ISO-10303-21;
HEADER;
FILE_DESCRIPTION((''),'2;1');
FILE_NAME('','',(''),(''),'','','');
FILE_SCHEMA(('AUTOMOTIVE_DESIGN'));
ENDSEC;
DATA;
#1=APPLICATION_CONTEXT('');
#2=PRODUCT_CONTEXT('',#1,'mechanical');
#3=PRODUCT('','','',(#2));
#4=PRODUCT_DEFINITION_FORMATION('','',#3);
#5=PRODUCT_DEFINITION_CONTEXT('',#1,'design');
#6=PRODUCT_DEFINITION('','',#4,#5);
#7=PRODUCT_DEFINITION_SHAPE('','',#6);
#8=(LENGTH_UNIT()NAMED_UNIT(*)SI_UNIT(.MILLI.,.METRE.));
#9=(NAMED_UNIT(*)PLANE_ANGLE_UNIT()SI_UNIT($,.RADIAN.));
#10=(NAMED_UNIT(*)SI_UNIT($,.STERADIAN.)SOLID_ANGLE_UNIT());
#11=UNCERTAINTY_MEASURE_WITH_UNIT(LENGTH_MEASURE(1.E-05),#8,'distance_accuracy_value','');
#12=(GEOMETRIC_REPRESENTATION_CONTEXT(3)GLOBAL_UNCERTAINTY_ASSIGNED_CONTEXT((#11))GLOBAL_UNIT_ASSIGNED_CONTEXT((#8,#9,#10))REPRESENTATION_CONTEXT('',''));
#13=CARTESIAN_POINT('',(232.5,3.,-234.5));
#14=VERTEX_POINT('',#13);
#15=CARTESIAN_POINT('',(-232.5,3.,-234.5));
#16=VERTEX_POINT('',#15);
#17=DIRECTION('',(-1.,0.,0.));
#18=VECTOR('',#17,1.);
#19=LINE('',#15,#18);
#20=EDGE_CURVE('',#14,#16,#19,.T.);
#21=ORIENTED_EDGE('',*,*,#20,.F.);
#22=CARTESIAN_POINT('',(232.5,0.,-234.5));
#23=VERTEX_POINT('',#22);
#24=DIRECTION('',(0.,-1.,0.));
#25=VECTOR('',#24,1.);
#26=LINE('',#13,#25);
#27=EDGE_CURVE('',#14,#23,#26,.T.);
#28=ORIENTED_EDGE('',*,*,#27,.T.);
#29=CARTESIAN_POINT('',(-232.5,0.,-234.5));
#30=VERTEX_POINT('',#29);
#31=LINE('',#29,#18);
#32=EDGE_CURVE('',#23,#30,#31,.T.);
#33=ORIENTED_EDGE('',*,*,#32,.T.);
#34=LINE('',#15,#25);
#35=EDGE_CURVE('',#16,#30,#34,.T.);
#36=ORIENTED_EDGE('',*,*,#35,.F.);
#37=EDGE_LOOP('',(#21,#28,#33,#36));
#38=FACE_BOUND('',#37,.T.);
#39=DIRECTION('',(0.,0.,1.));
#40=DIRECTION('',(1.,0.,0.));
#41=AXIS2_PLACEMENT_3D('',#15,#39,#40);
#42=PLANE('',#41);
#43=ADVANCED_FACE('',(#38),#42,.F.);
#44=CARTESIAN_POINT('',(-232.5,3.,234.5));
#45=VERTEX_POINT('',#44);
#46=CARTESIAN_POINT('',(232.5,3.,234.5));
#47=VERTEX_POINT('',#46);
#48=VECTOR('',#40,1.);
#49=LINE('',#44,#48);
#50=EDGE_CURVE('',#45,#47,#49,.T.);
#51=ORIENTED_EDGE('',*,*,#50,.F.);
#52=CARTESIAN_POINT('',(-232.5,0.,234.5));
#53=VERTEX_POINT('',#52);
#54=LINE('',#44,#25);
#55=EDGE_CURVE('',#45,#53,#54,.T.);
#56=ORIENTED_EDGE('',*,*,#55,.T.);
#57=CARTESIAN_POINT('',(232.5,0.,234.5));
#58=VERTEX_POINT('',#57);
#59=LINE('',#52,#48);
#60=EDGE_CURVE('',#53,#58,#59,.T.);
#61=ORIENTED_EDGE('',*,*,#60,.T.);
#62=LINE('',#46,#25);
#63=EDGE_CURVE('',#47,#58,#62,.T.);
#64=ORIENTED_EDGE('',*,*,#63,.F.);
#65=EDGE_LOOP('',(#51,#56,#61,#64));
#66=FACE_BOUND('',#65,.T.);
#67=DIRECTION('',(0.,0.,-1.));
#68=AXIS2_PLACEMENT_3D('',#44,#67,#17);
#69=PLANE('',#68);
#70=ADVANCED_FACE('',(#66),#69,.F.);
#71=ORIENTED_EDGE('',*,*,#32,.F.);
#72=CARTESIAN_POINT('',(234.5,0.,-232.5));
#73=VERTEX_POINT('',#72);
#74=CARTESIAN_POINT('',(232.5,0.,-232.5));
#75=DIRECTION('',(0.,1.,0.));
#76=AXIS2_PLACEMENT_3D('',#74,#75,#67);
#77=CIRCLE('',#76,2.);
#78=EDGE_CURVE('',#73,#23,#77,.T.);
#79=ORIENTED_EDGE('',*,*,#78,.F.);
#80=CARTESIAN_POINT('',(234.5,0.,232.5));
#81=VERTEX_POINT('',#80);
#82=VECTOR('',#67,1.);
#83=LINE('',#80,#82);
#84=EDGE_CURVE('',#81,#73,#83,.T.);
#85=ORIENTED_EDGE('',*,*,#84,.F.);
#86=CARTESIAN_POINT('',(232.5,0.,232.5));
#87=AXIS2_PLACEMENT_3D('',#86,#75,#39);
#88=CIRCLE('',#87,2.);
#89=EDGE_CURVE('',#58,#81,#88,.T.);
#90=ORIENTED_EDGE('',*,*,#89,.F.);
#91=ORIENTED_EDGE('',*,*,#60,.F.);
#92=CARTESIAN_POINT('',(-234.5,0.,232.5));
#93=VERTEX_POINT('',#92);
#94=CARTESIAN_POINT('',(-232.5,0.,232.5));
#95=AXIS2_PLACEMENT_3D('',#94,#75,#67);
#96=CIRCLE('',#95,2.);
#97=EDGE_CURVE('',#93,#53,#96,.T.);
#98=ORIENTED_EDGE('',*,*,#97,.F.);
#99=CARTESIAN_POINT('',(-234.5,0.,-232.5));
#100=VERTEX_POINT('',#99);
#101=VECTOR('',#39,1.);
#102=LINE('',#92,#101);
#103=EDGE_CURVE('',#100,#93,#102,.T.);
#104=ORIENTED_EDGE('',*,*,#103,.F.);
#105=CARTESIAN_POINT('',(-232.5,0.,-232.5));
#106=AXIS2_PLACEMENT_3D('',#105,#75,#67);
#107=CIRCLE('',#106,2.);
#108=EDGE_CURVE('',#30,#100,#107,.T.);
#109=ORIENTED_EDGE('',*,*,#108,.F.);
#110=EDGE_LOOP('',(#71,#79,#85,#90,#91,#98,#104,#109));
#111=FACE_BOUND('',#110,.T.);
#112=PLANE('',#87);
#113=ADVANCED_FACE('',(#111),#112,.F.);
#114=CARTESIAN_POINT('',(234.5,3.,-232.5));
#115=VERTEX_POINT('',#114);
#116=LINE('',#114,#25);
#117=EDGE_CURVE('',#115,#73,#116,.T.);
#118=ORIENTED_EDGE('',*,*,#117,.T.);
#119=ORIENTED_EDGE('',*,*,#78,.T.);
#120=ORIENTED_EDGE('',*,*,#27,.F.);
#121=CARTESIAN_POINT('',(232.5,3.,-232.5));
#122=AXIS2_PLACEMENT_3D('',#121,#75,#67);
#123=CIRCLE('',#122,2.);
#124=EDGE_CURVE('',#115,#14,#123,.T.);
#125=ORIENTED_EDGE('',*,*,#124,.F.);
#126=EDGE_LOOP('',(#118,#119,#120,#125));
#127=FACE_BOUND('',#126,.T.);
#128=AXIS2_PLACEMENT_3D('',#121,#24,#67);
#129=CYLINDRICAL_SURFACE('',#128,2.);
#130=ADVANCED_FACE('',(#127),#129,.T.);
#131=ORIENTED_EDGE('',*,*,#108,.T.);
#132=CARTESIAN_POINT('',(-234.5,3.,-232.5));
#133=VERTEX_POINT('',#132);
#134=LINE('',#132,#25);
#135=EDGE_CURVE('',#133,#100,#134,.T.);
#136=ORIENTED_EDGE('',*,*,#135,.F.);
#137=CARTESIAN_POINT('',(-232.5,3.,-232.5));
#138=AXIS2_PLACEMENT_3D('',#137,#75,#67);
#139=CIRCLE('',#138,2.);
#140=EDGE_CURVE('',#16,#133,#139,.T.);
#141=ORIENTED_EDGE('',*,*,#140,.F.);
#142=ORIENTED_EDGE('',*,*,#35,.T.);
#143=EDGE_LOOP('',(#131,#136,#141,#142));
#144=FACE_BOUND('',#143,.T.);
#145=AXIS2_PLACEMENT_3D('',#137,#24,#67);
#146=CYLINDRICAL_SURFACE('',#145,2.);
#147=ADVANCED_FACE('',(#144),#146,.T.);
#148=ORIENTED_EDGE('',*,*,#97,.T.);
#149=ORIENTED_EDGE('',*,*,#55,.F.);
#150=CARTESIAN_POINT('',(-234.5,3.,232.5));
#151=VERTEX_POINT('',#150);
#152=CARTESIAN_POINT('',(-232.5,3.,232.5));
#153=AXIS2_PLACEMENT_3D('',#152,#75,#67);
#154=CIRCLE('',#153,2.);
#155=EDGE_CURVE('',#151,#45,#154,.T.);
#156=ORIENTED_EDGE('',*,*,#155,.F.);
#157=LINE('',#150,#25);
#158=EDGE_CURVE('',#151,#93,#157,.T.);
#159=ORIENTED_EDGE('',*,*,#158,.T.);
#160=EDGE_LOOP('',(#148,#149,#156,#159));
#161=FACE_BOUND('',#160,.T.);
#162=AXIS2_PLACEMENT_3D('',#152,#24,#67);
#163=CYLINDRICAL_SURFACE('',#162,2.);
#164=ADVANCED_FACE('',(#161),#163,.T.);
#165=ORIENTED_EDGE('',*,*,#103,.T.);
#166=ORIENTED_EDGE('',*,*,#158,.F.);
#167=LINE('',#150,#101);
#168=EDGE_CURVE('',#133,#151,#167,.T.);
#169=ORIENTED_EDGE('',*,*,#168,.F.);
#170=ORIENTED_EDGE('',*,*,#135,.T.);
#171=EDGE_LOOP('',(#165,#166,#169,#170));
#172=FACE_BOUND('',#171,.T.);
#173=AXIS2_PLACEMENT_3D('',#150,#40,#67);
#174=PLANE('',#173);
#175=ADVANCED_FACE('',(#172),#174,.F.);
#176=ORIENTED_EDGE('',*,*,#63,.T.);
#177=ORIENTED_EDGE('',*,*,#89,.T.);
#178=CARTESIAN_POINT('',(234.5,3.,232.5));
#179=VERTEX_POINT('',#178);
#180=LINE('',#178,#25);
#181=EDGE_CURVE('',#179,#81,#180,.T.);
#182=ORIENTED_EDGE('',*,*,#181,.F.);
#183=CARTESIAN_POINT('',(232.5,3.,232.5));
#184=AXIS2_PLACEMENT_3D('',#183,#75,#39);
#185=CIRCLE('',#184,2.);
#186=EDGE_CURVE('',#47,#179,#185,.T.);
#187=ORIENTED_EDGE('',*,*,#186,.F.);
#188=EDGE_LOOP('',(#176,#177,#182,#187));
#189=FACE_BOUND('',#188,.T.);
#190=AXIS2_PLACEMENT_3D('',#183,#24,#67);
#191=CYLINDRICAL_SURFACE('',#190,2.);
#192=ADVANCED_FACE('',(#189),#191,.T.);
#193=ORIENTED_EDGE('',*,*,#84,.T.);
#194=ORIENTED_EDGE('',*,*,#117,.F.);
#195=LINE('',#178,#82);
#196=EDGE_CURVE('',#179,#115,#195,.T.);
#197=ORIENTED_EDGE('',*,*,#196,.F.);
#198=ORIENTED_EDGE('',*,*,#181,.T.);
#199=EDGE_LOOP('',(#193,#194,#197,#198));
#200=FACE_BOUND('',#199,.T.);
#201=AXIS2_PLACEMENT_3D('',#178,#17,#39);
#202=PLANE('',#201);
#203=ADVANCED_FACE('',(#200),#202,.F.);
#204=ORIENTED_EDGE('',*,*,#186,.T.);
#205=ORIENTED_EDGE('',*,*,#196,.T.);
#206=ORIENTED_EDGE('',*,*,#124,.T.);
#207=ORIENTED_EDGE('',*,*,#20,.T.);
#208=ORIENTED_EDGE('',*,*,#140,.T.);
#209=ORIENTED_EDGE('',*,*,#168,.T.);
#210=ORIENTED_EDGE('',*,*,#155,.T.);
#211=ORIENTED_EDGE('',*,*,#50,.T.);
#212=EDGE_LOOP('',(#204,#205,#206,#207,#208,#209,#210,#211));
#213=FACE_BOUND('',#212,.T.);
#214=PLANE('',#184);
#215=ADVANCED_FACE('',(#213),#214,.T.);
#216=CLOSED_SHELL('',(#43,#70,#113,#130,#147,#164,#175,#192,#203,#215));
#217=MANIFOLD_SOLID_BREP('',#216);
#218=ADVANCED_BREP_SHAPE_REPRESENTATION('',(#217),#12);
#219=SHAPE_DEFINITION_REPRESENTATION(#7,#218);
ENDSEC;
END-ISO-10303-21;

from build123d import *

# Parameters (mm, degrees)
BOSS_EXTRUDE1_DEPTH = 3


with BuildPart() as part:
    # Sketch2 → Boss-Extrude1 (new body)
    with BuildSketch(Plane(origin=(0, 0, 0), x_dir=(1, 0, 0), z_dir=(0, 1, 0))):
        with BuildLine():
            Line((-232.5, -234.5), (232.5, -234.5))
            ThreePointArc((232.5, -234.5), (233.914213562, -233.914213562), (234.5, -232.5))
            Line((234.5, -232.5), (234.5, 232.5))
            ThreePointArc((234.5, 232.5), (233.914213562, 233.914213562), (232.5, 234.5))
            Line((232.5, 234.5), (-232.5, 234.5))
            ThreePointArc((-232.5, 234.5), (-233.914213562, 233.914213562), (-234.5, 232.5))
            Line((-234.5, 232.5), (-234.5, -232.5))
            ThreePointArc((-234.5, -232.5), (-233.914213562, -233.914213562), (-232.5, -234.5))
        make_face()
    extrude(amount=BOSS_EXTRUDE1_DEPTH)


solid = part.part
